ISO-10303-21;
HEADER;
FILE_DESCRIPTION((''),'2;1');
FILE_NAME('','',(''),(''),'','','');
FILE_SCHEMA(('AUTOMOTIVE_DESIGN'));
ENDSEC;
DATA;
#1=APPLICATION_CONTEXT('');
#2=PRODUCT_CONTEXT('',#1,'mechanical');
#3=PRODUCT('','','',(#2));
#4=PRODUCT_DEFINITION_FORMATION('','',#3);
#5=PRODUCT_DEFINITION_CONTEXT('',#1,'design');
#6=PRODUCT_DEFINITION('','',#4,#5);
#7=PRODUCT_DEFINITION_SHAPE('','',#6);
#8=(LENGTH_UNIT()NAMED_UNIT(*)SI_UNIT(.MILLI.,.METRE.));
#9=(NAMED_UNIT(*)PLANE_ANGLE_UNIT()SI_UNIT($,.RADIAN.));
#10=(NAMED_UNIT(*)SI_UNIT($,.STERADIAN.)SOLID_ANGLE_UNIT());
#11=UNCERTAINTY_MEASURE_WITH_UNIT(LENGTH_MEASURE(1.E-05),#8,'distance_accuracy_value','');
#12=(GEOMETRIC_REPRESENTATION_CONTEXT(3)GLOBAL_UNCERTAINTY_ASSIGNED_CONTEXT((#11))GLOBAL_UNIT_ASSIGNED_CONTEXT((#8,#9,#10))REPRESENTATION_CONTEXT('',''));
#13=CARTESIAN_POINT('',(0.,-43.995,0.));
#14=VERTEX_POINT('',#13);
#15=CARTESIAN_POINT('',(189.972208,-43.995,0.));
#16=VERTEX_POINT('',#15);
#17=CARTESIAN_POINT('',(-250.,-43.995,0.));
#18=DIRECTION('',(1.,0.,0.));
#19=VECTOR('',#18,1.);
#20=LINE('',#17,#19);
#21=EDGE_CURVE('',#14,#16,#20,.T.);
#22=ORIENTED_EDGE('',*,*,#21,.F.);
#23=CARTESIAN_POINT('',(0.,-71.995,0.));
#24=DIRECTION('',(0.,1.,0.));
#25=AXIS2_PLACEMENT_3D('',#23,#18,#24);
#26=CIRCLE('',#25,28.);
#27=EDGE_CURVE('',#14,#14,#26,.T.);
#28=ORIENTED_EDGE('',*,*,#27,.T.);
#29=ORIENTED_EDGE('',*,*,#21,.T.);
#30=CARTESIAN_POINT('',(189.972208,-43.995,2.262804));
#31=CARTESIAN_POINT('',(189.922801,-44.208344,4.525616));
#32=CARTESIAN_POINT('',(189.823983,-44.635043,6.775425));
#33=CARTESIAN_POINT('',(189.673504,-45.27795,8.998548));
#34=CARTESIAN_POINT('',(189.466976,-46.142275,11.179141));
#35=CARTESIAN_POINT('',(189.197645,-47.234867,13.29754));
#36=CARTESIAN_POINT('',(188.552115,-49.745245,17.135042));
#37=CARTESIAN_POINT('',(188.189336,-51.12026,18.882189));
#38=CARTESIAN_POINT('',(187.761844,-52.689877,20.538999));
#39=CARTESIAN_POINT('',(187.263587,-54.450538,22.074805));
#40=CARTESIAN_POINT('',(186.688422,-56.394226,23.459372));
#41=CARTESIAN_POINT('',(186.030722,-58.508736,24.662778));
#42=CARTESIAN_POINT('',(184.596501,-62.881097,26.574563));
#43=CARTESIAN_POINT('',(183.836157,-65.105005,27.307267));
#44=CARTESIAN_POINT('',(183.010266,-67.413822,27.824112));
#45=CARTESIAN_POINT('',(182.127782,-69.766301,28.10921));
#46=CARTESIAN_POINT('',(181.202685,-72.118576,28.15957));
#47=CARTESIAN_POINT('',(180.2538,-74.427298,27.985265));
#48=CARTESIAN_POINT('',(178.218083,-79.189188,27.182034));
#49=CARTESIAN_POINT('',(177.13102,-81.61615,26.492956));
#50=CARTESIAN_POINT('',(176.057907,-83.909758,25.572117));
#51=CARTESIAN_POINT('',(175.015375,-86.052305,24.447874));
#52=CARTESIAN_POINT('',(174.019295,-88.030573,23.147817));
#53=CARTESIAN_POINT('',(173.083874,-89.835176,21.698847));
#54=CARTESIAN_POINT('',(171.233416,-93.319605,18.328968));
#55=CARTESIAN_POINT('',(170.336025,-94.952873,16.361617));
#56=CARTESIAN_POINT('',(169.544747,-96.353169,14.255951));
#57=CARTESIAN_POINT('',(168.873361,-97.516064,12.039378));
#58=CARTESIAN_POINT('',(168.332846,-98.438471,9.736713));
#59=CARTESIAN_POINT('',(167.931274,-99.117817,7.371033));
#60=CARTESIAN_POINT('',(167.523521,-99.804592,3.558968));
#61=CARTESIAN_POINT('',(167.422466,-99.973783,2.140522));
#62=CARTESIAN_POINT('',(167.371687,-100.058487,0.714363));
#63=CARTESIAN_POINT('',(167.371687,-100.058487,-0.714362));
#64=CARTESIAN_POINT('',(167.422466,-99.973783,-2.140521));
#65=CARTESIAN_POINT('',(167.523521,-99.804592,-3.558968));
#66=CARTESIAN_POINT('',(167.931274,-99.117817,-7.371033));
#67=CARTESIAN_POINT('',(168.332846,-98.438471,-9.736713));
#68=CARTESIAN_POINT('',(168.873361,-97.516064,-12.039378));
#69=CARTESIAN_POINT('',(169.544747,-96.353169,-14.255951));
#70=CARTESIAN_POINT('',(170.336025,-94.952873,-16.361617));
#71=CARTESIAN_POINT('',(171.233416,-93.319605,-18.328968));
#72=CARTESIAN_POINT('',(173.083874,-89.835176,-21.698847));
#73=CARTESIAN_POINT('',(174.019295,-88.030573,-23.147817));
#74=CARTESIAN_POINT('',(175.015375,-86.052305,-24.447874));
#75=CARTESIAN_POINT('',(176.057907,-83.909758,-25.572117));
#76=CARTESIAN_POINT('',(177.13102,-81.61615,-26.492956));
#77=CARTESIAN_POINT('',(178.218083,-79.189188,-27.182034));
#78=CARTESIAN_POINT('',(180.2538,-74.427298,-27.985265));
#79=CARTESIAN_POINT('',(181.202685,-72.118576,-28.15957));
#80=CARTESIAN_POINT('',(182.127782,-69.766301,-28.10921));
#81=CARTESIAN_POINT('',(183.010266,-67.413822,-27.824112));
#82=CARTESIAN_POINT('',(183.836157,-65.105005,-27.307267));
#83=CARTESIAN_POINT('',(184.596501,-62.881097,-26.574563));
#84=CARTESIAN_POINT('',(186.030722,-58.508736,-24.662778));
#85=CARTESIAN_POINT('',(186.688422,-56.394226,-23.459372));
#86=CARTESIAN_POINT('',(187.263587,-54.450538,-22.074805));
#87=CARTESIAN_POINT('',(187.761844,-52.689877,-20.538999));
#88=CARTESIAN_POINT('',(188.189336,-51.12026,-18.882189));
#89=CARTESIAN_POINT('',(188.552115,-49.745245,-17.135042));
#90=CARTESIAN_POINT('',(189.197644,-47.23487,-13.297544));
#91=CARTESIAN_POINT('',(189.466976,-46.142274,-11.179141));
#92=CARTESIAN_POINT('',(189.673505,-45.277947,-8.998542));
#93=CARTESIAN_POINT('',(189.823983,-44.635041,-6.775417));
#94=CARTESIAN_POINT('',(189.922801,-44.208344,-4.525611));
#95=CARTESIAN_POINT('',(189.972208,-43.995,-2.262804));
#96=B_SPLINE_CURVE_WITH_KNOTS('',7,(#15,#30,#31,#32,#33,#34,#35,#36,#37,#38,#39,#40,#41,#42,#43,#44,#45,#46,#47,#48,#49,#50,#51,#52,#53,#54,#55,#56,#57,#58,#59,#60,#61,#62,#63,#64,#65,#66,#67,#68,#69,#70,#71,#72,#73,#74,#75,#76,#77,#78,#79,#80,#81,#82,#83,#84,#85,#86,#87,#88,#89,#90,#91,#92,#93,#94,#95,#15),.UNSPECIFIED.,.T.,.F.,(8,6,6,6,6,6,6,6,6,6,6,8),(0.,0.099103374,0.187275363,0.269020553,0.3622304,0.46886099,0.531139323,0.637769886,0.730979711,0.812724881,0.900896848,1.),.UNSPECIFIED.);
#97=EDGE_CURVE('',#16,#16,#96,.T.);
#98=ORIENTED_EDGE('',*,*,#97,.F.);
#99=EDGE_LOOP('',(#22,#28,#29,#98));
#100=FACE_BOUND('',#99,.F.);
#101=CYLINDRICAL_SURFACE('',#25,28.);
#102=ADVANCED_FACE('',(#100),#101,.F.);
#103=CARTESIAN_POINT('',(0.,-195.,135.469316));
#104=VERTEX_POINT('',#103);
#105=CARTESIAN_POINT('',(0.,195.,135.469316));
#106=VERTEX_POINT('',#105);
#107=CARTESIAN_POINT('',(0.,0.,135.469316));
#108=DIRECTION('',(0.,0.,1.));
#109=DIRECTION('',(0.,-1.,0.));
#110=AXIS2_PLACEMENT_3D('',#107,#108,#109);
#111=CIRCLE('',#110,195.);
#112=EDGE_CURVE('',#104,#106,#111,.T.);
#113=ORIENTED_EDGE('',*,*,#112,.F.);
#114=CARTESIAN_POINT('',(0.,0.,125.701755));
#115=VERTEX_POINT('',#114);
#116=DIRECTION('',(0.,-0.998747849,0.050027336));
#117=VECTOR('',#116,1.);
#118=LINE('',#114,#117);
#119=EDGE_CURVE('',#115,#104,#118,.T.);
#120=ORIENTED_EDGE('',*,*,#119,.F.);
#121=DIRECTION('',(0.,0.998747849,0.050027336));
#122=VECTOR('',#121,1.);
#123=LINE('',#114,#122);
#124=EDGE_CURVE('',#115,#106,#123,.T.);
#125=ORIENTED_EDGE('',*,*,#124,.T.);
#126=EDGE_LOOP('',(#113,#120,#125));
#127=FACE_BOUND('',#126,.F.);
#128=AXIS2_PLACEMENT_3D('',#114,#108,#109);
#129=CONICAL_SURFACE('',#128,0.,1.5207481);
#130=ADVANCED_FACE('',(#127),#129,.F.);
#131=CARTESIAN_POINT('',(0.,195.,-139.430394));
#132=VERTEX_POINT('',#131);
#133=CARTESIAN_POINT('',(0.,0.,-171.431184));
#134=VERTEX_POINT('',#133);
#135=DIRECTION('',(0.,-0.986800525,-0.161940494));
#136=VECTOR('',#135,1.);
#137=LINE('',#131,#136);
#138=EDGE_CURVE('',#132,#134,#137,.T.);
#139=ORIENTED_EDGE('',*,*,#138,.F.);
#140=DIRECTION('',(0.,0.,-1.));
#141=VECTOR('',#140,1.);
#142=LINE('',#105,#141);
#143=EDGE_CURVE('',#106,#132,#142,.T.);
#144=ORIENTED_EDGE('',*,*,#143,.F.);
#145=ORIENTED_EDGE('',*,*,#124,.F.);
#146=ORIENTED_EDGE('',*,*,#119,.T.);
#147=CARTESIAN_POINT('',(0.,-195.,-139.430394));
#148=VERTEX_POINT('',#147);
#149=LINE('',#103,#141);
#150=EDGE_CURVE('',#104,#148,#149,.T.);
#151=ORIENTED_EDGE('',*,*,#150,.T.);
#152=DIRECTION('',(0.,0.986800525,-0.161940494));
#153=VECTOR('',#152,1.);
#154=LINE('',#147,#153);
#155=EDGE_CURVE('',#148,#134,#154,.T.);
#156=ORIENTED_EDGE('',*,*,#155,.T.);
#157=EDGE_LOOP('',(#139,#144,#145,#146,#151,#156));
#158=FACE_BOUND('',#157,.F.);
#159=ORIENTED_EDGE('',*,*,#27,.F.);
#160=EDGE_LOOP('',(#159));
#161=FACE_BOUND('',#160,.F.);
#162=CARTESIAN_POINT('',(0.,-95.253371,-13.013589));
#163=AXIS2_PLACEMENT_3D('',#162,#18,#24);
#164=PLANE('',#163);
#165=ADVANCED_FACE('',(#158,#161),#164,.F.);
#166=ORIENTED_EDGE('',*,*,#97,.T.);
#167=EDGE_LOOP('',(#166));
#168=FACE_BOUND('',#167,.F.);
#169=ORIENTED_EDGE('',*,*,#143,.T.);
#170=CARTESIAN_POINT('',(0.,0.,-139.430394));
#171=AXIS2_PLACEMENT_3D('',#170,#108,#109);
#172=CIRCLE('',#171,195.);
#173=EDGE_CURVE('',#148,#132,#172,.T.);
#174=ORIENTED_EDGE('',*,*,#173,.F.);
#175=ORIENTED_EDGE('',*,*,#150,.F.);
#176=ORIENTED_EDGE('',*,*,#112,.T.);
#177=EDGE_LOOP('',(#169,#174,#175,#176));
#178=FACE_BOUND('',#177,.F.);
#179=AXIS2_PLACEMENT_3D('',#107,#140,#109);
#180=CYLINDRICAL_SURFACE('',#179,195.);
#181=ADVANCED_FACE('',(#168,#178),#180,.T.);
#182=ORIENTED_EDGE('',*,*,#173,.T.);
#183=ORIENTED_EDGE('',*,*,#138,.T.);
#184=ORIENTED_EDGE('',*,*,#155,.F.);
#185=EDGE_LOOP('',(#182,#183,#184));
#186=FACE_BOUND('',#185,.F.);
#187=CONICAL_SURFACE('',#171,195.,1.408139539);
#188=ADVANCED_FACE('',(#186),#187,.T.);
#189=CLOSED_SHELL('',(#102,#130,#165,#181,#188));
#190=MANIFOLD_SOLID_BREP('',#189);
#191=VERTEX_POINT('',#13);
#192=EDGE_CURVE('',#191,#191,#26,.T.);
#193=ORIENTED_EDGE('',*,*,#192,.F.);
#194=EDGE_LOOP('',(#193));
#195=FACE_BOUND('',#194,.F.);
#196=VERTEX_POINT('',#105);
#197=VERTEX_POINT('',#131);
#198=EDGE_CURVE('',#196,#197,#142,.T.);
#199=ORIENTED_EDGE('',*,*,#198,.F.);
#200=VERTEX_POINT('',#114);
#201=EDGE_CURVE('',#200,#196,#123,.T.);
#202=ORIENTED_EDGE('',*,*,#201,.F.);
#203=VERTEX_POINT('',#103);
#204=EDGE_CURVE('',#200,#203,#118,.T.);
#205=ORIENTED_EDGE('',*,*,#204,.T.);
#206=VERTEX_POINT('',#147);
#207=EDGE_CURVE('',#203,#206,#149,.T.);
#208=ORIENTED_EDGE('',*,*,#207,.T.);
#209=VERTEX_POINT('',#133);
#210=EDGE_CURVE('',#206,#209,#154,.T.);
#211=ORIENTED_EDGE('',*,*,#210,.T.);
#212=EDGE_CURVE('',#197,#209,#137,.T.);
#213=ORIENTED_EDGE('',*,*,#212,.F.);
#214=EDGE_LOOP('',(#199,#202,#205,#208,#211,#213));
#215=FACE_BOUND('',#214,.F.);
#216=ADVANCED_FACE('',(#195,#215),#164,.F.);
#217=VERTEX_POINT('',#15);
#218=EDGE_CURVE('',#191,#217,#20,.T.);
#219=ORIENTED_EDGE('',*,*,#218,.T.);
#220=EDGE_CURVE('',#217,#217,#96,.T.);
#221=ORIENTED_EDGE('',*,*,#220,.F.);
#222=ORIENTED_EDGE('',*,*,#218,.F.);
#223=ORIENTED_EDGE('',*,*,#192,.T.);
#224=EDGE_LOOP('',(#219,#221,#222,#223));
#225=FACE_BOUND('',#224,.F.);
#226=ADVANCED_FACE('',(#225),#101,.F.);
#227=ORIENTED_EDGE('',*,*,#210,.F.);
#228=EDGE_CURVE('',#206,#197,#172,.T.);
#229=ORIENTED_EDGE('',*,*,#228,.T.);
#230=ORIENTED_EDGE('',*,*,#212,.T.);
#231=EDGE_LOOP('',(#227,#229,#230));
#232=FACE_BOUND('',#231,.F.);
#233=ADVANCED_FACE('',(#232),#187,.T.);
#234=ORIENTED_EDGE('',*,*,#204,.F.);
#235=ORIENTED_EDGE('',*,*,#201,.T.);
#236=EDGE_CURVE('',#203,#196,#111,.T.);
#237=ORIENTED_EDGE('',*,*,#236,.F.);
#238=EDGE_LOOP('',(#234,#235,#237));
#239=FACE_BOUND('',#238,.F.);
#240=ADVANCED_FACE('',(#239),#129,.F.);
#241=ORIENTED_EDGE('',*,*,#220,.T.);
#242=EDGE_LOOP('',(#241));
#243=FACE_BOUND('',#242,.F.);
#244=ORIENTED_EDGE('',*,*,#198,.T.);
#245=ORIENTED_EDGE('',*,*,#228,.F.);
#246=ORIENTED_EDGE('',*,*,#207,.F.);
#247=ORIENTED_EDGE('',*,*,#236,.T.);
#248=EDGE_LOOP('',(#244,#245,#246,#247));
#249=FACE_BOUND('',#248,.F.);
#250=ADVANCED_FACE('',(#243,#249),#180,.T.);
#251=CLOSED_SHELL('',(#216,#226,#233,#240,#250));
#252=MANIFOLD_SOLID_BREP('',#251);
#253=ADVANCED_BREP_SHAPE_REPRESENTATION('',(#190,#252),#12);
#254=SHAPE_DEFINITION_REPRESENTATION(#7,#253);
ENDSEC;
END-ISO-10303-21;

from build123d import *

# Parameters (mm, degrees)
F1_ANGLE = 180
F2_ANGLE = 180
F3_R     = 28
F4_DEPTH = 250


with BuildPart() as f1:
    # F0 (on Right) → F1 (revolve)
    with BuildSketch(Plane.YZ):
        Polygon((0, 125.701755), (-195, 135.469316), (-195, -139.430394), (0, -171.431184), (0, -92.728153), (0, 0), align=None)
    revolve(axis=Axis((0, 0, 62.850878), (0, 0, 1)), revolution_arc=F1_ANGLE)


with BuildPart() as f2:
    # F0 (on Right) → F2 (revolve)
    with BuildSketch(Plane.YZ):
        Polygon((0, 125.701755), (-195, 135.469316), (-195, -139.430394), (0, -171.431184), (0, -92.728153), (0, 0), align=None)
    revolve(axis=Axis((0, 0, 62.850878), (0, 0, 1)), revolution_arc=F2_ANGLE)


with BuildPart() as f4:
    # F3 (on Right) → F4 (new body, symmetric)
    with BuildSketch(Plane.YZ):
        with Locations((-71.995, 0)):
            Circle(F3_R)
    extrude(amount=F4_DEPTH, both=True)


with BuildPart() as f2_1:
    add(f2.part)

    # F5: cut F4
    add(f4.part, mode=Mode.SUBTRACT)


with BuildPart() as f1_1:
    add(f1.part)

    # F6: cut F4
    add(f4.part, mode=Mode.SUBTRACT)


solid = Compound([f2_1.part, f1_1.part])
